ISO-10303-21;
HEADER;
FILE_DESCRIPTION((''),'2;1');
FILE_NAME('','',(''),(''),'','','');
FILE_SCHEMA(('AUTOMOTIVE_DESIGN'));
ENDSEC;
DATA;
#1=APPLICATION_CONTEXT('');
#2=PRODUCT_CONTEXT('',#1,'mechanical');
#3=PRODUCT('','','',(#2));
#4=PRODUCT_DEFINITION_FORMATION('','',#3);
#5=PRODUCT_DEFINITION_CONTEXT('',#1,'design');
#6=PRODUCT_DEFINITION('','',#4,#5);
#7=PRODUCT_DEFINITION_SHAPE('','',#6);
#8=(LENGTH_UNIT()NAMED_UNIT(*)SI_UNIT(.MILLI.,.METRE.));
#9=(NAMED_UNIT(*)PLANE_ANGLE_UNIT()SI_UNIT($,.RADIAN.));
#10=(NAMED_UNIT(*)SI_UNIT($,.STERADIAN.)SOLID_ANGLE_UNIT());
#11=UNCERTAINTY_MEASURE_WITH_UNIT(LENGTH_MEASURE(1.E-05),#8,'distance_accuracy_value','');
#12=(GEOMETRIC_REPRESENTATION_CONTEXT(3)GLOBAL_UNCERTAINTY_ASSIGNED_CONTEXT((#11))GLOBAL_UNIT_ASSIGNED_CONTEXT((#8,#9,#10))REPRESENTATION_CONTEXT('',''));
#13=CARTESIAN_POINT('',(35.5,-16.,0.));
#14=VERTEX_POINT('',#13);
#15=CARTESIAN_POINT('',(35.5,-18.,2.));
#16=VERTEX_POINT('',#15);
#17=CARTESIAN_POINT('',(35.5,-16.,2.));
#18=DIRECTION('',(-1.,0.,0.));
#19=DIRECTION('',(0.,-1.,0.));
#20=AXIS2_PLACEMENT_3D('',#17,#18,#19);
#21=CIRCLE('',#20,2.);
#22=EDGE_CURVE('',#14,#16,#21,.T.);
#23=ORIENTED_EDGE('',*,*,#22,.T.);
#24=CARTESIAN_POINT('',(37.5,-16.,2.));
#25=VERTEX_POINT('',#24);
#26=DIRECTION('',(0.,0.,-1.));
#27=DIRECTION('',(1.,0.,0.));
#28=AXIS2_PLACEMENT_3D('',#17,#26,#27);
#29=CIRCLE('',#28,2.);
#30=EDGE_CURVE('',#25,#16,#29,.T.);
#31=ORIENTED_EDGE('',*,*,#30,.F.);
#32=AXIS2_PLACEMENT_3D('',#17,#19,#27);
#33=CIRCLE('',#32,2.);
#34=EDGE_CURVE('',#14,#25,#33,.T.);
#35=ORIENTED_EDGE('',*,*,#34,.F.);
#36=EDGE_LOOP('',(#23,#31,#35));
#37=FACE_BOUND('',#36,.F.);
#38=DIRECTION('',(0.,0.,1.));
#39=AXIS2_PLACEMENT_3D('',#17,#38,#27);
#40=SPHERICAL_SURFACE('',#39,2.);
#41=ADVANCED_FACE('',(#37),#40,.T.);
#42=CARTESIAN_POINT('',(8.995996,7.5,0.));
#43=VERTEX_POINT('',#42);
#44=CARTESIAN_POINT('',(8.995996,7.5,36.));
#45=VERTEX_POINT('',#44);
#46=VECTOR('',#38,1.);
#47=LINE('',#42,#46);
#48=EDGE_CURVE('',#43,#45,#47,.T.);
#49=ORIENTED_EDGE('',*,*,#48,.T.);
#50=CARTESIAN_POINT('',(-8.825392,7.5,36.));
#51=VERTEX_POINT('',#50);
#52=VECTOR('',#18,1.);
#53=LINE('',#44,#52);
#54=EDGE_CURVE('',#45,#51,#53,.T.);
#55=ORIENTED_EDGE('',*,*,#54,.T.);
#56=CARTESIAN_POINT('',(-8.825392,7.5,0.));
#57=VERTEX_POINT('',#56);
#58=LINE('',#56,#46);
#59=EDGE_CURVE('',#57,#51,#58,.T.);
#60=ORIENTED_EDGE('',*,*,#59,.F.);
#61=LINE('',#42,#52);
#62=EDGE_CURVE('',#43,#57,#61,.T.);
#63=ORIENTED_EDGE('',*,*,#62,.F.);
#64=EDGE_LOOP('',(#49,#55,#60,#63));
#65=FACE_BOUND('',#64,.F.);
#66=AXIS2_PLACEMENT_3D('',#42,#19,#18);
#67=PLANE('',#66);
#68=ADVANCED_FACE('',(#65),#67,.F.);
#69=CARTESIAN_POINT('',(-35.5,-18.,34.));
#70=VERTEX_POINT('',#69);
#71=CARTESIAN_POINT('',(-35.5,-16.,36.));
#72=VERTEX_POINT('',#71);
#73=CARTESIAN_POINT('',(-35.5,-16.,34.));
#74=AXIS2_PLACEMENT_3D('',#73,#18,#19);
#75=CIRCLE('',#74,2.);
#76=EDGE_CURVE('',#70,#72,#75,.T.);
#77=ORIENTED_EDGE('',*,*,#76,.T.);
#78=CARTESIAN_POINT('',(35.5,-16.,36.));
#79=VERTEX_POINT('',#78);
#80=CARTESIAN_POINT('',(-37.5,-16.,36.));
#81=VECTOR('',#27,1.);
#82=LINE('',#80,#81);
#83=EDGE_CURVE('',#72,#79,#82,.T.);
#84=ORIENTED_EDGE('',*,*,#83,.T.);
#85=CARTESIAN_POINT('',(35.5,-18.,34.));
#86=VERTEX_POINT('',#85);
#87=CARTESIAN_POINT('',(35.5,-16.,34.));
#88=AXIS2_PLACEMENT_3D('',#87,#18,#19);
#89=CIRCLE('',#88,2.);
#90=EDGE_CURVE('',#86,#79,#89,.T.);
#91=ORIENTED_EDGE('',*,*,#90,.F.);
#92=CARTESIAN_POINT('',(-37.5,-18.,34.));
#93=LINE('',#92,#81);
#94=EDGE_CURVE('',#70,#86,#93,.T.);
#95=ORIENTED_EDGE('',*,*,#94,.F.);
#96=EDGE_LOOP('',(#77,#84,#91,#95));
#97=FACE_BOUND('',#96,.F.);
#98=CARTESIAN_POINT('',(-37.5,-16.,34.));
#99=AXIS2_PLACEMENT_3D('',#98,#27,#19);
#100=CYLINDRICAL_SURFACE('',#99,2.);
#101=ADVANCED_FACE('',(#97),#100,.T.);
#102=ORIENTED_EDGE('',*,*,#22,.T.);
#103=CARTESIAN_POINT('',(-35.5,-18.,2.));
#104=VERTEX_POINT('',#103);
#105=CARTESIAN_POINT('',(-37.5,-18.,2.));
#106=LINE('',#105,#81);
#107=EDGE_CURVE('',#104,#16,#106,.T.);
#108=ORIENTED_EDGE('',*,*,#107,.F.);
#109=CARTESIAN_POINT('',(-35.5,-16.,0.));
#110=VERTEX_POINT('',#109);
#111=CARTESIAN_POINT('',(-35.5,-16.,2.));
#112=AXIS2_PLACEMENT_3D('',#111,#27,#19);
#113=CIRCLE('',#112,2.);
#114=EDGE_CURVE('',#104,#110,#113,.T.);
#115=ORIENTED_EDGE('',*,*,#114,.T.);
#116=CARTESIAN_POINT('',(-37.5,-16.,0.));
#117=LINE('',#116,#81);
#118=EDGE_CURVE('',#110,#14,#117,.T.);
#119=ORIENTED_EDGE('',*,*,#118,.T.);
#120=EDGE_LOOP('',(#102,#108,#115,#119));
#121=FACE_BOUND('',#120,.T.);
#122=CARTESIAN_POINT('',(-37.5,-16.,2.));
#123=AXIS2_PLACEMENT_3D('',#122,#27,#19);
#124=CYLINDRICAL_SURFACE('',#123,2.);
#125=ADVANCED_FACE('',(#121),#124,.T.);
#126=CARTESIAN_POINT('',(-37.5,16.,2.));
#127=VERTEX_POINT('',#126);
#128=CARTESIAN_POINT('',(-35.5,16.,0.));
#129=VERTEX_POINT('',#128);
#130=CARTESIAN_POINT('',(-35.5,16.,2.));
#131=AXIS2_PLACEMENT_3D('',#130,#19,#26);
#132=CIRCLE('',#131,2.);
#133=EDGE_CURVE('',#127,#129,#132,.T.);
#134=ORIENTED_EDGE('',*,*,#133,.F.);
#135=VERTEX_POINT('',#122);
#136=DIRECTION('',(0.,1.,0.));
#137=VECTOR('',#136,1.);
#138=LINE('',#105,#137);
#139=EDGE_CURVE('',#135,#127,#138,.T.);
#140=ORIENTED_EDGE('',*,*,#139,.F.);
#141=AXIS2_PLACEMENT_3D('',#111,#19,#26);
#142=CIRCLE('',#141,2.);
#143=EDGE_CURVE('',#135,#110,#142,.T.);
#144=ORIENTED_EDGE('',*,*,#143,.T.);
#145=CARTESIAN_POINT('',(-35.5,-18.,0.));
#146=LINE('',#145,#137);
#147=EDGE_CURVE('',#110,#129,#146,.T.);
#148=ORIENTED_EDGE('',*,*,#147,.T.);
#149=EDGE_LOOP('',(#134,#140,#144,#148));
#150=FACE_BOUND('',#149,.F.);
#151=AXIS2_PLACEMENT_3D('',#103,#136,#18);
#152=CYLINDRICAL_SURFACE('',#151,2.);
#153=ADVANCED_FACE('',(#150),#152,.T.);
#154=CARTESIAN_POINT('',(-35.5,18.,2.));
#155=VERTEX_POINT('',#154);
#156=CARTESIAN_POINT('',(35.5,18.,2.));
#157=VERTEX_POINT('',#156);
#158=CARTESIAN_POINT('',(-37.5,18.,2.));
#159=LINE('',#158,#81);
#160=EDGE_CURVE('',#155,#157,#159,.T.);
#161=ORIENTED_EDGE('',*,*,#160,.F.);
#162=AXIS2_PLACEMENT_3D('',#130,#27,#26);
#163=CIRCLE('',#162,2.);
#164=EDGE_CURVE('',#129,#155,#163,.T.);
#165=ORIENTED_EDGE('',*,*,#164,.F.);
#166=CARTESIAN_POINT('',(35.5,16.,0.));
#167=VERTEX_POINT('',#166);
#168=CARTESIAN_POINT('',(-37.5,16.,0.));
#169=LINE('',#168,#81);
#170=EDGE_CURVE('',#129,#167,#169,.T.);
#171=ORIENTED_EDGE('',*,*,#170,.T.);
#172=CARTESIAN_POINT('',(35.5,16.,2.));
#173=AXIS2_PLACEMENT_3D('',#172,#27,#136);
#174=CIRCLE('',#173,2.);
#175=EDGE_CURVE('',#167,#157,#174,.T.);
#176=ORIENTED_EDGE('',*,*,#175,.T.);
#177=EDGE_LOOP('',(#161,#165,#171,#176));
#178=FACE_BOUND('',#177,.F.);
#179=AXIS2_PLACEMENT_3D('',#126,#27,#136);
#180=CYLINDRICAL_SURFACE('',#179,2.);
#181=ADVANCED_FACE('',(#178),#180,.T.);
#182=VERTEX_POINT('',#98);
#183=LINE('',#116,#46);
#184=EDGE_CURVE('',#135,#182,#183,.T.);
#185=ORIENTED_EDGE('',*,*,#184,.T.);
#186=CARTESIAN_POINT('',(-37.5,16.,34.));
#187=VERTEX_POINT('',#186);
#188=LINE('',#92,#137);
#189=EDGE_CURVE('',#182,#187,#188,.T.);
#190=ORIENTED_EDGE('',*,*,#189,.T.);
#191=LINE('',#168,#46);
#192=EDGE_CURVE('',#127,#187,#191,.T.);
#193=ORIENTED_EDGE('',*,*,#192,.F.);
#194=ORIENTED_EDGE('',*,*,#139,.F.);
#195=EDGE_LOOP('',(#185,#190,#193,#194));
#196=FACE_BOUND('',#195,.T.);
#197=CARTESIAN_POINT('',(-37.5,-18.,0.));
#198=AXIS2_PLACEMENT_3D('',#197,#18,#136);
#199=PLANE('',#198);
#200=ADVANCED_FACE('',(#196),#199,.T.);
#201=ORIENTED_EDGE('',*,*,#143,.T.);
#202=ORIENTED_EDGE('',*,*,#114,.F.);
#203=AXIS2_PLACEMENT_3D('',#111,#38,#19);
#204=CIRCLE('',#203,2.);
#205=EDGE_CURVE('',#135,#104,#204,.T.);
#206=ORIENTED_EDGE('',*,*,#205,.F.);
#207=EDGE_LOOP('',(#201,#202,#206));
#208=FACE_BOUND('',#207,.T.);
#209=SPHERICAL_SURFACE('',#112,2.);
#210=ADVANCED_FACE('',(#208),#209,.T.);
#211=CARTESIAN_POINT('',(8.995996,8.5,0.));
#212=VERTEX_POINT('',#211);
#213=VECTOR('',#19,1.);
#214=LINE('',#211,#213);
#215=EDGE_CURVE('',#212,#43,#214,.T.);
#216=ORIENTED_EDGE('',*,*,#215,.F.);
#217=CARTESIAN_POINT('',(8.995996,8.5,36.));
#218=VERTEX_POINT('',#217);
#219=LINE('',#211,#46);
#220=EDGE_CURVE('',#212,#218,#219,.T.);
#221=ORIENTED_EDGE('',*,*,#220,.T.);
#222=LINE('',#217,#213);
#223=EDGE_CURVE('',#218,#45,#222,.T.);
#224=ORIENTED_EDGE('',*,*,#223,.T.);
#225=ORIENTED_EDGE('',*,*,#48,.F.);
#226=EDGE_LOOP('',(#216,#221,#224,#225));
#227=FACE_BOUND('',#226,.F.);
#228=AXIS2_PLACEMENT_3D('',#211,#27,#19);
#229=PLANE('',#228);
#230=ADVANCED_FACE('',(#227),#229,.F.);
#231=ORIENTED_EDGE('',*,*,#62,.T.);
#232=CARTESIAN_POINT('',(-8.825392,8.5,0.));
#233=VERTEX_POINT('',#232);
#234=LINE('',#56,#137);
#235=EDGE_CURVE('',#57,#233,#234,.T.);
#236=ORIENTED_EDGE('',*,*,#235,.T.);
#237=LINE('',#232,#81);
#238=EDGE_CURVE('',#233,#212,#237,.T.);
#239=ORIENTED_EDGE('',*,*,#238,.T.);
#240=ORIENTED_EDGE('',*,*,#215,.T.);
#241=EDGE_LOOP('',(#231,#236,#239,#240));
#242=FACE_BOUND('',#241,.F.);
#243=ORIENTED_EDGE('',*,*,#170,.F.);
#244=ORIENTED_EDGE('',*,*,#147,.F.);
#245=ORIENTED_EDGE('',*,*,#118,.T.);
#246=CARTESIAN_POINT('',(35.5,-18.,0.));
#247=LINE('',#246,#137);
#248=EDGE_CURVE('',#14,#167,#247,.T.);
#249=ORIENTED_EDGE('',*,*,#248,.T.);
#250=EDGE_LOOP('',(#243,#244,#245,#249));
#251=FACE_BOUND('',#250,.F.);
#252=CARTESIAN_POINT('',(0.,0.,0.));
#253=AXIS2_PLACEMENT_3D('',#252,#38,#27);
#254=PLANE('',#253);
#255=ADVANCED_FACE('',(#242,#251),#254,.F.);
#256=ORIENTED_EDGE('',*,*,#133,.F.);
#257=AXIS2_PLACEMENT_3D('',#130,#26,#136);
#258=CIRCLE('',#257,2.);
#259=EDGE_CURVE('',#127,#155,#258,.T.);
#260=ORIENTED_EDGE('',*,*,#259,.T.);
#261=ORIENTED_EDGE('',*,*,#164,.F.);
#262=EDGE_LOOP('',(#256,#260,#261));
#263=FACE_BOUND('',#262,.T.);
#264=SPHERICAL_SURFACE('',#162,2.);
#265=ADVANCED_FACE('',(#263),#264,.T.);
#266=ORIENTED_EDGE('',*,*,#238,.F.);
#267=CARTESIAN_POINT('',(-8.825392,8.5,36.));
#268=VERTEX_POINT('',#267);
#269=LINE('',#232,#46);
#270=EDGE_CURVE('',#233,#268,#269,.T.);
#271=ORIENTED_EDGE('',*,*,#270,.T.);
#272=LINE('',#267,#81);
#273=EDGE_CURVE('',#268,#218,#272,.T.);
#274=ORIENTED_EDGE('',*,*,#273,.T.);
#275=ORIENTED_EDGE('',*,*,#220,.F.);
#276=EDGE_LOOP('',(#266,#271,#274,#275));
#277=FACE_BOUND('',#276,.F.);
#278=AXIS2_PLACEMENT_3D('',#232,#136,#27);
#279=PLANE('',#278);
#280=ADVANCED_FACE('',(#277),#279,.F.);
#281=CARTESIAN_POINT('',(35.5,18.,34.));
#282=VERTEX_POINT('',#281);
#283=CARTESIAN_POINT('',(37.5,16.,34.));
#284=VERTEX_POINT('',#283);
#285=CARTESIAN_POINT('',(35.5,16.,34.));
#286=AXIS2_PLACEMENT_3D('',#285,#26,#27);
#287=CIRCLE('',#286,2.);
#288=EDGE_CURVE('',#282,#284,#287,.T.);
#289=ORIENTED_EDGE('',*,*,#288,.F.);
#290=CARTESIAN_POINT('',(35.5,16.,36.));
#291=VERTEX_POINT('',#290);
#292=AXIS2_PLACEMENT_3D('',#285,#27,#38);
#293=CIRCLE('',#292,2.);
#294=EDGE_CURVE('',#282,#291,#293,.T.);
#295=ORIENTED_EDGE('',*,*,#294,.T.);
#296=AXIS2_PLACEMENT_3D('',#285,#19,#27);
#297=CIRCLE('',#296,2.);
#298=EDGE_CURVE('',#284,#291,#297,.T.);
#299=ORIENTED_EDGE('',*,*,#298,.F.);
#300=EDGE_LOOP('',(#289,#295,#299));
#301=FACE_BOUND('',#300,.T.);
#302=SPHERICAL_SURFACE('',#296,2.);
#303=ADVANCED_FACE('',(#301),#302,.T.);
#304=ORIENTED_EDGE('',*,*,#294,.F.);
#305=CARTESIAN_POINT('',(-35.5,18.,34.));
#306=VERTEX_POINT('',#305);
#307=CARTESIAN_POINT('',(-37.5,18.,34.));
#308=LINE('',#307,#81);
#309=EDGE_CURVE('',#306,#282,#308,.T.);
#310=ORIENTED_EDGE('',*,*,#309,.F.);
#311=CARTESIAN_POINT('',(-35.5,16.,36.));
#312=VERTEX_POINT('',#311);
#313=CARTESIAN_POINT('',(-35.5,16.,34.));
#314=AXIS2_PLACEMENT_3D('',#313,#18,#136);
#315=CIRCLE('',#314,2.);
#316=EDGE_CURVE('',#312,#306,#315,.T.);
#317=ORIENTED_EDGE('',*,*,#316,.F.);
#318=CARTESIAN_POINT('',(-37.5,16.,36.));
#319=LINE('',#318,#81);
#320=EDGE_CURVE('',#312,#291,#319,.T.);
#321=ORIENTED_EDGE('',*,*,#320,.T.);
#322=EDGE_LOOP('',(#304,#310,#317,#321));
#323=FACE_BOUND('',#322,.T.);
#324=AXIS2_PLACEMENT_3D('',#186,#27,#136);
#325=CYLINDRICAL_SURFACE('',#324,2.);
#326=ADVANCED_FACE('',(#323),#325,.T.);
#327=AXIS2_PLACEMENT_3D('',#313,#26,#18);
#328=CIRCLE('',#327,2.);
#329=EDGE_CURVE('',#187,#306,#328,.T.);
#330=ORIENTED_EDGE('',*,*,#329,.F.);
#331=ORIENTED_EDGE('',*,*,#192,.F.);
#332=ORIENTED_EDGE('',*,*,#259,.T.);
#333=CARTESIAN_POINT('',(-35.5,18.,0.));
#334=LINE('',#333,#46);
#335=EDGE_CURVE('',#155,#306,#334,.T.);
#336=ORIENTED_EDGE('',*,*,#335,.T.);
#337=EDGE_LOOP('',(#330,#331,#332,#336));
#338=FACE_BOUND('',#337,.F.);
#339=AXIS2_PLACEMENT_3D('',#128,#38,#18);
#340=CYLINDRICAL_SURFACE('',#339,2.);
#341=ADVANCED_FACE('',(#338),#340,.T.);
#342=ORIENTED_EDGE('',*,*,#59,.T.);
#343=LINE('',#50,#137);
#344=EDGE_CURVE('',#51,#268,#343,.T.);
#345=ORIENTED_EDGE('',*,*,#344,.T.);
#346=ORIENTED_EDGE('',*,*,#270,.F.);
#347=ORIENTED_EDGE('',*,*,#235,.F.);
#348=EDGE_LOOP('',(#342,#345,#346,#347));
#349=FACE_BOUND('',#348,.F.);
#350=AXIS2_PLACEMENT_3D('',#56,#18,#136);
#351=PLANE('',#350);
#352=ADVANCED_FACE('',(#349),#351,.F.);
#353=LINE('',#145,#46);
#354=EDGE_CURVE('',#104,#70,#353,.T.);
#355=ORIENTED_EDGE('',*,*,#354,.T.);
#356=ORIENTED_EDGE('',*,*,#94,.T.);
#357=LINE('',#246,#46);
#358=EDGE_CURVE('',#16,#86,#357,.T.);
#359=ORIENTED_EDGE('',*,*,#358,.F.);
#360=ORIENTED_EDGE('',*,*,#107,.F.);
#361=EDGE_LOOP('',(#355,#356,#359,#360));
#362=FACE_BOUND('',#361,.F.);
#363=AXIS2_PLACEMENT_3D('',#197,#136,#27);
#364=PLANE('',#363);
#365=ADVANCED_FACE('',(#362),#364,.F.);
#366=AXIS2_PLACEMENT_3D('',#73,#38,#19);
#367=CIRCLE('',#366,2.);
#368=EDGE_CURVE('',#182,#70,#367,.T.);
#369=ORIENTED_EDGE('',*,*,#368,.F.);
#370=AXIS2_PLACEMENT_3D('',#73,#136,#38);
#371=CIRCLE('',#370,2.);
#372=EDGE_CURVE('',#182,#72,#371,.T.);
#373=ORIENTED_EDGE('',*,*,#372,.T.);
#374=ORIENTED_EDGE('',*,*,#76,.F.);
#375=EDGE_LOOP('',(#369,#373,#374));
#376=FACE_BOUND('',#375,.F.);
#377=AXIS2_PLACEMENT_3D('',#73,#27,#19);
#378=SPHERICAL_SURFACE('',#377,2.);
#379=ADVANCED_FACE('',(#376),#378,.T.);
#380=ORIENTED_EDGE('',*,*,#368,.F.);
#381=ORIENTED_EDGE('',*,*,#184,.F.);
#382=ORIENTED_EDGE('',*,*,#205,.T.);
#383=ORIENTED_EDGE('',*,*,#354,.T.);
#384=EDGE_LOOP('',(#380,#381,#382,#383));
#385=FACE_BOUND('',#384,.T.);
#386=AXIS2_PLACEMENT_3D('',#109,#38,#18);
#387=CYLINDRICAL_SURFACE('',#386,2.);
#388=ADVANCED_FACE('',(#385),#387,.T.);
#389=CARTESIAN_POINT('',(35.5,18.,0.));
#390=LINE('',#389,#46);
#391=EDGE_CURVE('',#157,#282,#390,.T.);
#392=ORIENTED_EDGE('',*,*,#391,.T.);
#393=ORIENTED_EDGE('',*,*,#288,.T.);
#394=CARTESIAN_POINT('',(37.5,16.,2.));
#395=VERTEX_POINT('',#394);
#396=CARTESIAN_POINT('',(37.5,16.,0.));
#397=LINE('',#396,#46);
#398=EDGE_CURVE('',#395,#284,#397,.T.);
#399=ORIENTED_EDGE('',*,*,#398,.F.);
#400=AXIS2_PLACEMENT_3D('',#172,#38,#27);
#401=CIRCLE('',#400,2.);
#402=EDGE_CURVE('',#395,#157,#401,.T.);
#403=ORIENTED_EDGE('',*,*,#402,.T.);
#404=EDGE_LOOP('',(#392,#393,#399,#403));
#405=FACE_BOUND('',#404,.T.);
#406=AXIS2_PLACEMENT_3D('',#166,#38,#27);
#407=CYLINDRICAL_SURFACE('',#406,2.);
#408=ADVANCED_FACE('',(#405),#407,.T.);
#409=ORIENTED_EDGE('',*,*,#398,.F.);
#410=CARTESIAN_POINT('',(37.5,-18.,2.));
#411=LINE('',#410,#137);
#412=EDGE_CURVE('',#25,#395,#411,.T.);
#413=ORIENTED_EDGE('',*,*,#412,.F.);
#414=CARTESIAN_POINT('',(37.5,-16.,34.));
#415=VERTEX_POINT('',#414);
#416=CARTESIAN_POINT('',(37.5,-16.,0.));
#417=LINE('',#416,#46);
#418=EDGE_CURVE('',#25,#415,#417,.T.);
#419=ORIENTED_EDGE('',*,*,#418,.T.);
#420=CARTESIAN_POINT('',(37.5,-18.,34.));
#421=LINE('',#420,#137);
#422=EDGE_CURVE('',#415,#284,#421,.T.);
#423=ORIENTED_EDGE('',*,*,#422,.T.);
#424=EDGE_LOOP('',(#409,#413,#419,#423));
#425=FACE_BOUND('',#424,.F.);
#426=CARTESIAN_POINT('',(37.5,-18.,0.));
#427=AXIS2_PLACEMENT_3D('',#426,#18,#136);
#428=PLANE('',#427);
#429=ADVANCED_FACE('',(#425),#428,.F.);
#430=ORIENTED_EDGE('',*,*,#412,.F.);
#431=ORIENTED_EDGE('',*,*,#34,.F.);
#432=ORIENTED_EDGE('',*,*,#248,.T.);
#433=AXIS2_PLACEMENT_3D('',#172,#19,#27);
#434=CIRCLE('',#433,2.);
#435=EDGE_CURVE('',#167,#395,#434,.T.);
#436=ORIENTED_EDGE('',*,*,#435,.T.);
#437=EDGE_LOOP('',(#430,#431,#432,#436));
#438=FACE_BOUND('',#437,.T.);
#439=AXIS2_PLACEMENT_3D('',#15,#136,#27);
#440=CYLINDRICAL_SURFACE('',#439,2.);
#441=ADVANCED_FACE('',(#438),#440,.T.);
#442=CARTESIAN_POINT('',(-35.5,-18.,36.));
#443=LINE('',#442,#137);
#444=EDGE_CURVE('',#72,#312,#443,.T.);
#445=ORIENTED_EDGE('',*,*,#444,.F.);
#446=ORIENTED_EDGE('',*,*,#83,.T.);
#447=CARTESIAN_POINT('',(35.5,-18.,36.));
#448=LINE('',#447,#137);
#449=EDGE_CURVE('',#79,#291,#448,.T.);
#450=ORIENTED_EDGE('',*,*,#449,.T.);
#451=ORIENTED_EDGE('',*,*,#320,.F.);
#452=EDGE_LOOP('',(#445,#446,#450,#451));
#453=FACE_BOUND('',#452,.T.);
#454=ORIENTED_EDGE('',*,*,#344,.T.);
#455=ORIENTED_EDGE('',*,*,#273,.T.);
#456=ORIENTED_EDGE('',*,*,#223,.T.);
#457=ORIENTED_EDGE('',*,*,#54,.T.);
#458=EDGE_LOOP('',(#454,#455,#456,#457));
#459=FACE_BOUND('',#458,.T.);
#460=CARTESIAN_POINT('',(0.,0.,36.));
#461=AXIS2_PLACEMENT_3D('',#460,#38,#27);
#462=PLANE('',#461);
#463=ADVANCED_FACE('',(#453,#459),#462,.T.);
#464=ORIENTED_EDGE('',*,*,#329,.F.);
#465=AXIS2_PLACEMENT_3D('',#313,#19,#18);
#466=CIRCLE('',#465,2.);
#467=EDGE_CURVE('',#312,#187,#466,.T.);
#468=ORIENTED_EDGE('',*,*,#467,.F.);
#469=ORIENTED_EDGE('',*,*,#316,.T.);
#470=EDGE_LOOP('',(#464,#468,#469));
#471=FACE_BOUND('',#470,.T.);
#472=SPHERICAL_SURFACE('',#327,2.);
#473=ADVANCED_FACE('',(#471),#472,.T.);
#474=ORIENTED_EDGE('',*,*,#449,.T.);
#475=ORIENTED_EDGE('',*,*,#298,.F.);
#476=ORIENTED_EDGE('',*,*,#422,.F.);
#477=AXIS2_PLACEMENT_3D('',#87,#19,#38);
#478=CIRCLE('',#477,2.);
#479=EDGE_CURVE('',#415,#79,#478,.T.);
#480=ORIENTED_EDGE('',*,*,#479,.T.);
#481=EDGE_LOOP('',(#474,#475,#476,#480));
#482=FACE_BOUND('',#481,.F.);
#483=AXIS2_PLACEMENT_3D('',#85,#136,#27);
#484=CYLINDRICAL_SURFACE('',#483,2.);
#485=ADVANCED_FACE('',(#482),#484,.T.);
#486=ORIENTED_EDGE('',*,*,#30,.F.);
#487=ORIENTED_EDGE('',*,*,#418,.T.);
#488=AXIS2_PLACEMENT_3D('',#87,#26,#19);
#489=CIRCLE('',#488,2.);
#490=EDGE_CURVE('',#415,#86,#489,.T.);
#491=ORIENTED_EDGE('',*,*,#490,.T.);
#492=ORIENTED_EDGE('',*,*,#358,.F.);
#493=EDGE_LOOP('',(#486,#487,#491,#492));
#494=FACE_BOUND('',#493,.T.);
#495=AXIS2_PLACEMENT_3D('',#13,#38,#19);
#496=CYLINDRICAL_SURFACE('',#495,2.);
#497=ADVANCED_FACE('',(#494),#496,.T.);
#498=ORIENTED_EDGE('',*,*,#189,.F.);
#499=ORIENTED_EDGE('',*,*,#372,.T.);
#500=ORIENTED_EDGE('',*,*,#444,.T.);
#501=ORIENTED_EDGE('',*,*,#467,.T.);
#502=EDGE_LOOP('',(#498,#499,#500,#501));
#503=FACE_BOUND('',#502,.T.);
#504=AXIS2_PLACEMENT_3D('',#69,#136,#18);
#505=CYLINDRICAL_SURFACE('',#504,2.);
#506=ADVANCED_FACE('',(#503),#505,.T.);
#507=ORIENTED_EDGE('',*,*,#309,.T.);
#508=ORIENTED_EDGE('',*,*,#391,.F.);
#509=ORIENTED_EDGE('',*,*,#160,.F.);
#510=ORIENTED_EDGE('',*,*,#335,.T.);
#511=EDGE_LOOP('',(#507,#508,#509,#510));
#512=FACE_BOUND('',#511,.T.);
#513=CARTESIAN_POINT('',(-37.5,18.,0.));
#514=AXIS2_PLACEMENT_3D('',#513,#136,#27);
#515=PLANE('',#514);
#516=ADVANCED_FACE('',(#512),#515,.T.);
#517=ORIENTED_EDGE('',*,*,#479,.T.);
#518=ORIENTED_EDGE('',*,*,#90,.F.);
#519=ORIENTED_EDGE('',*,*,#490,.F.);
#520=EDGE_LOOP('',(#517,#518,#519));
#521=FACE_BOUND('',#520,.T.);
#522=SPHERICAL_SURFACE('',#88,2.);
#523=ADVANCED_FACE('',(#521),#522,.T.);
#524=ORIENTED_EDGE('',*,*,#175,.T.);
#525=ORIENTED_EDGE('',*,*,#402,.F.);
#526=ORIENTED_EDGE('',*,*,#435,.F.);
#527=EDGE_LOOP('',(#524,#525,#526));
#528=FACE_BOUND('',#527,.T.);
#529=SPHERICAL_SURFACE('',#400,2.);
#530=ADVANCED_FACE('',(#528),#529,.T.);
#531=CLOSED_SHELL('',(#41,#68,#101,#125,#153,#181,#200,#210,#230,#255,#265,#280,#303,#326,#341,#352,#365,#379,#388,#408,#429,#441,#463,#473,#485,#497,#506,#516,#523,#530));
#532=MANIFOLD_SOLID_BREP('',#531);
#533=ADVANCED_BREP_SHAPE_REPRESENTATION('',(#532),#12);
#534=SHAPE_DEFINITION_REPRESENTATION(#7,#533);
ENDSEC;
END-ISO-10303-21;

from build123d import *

# Parameters (mm, degrees)
F0_W     = 75
F0_H     = 36
F1_DEPTH = 36
F2_R     = 2


with BuildPart() as f1:
    # F0 (on Top) → F1 (new body)
    with BuildSketch(Plane.XY):
        Rectangle(F0_W, F0_H)
        Polygon((-8.825392, 7.5), (-8.825392, 8), (-8.825392, 8.5), (8.995996, 8.5), (8.995996, 8), (8.995996, 7.5), align=None, mode=Mode.SUBTRACT)
    extrude(amount=F1_DEPTH)

    # F2
    f2_edges = [f1.edges().sort_by_distance(p)[0] for p in [
        (0, -18, 36),
        (37.5, -18, 18),
        (37.5, 0, 36),
        (37.5, 18, 18),
        (37.5, 0, 0),
        (0, -18, 0),
        (-37.5, -18, 18),
        (0, 18, 0),
        (-37.5, 0, 0),
        (-37.5, 18, 18),
        (-37.5, 0, 36),
        (0, 18, 36),
    ]]
    fillet(f2_edges, radius=F2_R)


solid = f1.part
